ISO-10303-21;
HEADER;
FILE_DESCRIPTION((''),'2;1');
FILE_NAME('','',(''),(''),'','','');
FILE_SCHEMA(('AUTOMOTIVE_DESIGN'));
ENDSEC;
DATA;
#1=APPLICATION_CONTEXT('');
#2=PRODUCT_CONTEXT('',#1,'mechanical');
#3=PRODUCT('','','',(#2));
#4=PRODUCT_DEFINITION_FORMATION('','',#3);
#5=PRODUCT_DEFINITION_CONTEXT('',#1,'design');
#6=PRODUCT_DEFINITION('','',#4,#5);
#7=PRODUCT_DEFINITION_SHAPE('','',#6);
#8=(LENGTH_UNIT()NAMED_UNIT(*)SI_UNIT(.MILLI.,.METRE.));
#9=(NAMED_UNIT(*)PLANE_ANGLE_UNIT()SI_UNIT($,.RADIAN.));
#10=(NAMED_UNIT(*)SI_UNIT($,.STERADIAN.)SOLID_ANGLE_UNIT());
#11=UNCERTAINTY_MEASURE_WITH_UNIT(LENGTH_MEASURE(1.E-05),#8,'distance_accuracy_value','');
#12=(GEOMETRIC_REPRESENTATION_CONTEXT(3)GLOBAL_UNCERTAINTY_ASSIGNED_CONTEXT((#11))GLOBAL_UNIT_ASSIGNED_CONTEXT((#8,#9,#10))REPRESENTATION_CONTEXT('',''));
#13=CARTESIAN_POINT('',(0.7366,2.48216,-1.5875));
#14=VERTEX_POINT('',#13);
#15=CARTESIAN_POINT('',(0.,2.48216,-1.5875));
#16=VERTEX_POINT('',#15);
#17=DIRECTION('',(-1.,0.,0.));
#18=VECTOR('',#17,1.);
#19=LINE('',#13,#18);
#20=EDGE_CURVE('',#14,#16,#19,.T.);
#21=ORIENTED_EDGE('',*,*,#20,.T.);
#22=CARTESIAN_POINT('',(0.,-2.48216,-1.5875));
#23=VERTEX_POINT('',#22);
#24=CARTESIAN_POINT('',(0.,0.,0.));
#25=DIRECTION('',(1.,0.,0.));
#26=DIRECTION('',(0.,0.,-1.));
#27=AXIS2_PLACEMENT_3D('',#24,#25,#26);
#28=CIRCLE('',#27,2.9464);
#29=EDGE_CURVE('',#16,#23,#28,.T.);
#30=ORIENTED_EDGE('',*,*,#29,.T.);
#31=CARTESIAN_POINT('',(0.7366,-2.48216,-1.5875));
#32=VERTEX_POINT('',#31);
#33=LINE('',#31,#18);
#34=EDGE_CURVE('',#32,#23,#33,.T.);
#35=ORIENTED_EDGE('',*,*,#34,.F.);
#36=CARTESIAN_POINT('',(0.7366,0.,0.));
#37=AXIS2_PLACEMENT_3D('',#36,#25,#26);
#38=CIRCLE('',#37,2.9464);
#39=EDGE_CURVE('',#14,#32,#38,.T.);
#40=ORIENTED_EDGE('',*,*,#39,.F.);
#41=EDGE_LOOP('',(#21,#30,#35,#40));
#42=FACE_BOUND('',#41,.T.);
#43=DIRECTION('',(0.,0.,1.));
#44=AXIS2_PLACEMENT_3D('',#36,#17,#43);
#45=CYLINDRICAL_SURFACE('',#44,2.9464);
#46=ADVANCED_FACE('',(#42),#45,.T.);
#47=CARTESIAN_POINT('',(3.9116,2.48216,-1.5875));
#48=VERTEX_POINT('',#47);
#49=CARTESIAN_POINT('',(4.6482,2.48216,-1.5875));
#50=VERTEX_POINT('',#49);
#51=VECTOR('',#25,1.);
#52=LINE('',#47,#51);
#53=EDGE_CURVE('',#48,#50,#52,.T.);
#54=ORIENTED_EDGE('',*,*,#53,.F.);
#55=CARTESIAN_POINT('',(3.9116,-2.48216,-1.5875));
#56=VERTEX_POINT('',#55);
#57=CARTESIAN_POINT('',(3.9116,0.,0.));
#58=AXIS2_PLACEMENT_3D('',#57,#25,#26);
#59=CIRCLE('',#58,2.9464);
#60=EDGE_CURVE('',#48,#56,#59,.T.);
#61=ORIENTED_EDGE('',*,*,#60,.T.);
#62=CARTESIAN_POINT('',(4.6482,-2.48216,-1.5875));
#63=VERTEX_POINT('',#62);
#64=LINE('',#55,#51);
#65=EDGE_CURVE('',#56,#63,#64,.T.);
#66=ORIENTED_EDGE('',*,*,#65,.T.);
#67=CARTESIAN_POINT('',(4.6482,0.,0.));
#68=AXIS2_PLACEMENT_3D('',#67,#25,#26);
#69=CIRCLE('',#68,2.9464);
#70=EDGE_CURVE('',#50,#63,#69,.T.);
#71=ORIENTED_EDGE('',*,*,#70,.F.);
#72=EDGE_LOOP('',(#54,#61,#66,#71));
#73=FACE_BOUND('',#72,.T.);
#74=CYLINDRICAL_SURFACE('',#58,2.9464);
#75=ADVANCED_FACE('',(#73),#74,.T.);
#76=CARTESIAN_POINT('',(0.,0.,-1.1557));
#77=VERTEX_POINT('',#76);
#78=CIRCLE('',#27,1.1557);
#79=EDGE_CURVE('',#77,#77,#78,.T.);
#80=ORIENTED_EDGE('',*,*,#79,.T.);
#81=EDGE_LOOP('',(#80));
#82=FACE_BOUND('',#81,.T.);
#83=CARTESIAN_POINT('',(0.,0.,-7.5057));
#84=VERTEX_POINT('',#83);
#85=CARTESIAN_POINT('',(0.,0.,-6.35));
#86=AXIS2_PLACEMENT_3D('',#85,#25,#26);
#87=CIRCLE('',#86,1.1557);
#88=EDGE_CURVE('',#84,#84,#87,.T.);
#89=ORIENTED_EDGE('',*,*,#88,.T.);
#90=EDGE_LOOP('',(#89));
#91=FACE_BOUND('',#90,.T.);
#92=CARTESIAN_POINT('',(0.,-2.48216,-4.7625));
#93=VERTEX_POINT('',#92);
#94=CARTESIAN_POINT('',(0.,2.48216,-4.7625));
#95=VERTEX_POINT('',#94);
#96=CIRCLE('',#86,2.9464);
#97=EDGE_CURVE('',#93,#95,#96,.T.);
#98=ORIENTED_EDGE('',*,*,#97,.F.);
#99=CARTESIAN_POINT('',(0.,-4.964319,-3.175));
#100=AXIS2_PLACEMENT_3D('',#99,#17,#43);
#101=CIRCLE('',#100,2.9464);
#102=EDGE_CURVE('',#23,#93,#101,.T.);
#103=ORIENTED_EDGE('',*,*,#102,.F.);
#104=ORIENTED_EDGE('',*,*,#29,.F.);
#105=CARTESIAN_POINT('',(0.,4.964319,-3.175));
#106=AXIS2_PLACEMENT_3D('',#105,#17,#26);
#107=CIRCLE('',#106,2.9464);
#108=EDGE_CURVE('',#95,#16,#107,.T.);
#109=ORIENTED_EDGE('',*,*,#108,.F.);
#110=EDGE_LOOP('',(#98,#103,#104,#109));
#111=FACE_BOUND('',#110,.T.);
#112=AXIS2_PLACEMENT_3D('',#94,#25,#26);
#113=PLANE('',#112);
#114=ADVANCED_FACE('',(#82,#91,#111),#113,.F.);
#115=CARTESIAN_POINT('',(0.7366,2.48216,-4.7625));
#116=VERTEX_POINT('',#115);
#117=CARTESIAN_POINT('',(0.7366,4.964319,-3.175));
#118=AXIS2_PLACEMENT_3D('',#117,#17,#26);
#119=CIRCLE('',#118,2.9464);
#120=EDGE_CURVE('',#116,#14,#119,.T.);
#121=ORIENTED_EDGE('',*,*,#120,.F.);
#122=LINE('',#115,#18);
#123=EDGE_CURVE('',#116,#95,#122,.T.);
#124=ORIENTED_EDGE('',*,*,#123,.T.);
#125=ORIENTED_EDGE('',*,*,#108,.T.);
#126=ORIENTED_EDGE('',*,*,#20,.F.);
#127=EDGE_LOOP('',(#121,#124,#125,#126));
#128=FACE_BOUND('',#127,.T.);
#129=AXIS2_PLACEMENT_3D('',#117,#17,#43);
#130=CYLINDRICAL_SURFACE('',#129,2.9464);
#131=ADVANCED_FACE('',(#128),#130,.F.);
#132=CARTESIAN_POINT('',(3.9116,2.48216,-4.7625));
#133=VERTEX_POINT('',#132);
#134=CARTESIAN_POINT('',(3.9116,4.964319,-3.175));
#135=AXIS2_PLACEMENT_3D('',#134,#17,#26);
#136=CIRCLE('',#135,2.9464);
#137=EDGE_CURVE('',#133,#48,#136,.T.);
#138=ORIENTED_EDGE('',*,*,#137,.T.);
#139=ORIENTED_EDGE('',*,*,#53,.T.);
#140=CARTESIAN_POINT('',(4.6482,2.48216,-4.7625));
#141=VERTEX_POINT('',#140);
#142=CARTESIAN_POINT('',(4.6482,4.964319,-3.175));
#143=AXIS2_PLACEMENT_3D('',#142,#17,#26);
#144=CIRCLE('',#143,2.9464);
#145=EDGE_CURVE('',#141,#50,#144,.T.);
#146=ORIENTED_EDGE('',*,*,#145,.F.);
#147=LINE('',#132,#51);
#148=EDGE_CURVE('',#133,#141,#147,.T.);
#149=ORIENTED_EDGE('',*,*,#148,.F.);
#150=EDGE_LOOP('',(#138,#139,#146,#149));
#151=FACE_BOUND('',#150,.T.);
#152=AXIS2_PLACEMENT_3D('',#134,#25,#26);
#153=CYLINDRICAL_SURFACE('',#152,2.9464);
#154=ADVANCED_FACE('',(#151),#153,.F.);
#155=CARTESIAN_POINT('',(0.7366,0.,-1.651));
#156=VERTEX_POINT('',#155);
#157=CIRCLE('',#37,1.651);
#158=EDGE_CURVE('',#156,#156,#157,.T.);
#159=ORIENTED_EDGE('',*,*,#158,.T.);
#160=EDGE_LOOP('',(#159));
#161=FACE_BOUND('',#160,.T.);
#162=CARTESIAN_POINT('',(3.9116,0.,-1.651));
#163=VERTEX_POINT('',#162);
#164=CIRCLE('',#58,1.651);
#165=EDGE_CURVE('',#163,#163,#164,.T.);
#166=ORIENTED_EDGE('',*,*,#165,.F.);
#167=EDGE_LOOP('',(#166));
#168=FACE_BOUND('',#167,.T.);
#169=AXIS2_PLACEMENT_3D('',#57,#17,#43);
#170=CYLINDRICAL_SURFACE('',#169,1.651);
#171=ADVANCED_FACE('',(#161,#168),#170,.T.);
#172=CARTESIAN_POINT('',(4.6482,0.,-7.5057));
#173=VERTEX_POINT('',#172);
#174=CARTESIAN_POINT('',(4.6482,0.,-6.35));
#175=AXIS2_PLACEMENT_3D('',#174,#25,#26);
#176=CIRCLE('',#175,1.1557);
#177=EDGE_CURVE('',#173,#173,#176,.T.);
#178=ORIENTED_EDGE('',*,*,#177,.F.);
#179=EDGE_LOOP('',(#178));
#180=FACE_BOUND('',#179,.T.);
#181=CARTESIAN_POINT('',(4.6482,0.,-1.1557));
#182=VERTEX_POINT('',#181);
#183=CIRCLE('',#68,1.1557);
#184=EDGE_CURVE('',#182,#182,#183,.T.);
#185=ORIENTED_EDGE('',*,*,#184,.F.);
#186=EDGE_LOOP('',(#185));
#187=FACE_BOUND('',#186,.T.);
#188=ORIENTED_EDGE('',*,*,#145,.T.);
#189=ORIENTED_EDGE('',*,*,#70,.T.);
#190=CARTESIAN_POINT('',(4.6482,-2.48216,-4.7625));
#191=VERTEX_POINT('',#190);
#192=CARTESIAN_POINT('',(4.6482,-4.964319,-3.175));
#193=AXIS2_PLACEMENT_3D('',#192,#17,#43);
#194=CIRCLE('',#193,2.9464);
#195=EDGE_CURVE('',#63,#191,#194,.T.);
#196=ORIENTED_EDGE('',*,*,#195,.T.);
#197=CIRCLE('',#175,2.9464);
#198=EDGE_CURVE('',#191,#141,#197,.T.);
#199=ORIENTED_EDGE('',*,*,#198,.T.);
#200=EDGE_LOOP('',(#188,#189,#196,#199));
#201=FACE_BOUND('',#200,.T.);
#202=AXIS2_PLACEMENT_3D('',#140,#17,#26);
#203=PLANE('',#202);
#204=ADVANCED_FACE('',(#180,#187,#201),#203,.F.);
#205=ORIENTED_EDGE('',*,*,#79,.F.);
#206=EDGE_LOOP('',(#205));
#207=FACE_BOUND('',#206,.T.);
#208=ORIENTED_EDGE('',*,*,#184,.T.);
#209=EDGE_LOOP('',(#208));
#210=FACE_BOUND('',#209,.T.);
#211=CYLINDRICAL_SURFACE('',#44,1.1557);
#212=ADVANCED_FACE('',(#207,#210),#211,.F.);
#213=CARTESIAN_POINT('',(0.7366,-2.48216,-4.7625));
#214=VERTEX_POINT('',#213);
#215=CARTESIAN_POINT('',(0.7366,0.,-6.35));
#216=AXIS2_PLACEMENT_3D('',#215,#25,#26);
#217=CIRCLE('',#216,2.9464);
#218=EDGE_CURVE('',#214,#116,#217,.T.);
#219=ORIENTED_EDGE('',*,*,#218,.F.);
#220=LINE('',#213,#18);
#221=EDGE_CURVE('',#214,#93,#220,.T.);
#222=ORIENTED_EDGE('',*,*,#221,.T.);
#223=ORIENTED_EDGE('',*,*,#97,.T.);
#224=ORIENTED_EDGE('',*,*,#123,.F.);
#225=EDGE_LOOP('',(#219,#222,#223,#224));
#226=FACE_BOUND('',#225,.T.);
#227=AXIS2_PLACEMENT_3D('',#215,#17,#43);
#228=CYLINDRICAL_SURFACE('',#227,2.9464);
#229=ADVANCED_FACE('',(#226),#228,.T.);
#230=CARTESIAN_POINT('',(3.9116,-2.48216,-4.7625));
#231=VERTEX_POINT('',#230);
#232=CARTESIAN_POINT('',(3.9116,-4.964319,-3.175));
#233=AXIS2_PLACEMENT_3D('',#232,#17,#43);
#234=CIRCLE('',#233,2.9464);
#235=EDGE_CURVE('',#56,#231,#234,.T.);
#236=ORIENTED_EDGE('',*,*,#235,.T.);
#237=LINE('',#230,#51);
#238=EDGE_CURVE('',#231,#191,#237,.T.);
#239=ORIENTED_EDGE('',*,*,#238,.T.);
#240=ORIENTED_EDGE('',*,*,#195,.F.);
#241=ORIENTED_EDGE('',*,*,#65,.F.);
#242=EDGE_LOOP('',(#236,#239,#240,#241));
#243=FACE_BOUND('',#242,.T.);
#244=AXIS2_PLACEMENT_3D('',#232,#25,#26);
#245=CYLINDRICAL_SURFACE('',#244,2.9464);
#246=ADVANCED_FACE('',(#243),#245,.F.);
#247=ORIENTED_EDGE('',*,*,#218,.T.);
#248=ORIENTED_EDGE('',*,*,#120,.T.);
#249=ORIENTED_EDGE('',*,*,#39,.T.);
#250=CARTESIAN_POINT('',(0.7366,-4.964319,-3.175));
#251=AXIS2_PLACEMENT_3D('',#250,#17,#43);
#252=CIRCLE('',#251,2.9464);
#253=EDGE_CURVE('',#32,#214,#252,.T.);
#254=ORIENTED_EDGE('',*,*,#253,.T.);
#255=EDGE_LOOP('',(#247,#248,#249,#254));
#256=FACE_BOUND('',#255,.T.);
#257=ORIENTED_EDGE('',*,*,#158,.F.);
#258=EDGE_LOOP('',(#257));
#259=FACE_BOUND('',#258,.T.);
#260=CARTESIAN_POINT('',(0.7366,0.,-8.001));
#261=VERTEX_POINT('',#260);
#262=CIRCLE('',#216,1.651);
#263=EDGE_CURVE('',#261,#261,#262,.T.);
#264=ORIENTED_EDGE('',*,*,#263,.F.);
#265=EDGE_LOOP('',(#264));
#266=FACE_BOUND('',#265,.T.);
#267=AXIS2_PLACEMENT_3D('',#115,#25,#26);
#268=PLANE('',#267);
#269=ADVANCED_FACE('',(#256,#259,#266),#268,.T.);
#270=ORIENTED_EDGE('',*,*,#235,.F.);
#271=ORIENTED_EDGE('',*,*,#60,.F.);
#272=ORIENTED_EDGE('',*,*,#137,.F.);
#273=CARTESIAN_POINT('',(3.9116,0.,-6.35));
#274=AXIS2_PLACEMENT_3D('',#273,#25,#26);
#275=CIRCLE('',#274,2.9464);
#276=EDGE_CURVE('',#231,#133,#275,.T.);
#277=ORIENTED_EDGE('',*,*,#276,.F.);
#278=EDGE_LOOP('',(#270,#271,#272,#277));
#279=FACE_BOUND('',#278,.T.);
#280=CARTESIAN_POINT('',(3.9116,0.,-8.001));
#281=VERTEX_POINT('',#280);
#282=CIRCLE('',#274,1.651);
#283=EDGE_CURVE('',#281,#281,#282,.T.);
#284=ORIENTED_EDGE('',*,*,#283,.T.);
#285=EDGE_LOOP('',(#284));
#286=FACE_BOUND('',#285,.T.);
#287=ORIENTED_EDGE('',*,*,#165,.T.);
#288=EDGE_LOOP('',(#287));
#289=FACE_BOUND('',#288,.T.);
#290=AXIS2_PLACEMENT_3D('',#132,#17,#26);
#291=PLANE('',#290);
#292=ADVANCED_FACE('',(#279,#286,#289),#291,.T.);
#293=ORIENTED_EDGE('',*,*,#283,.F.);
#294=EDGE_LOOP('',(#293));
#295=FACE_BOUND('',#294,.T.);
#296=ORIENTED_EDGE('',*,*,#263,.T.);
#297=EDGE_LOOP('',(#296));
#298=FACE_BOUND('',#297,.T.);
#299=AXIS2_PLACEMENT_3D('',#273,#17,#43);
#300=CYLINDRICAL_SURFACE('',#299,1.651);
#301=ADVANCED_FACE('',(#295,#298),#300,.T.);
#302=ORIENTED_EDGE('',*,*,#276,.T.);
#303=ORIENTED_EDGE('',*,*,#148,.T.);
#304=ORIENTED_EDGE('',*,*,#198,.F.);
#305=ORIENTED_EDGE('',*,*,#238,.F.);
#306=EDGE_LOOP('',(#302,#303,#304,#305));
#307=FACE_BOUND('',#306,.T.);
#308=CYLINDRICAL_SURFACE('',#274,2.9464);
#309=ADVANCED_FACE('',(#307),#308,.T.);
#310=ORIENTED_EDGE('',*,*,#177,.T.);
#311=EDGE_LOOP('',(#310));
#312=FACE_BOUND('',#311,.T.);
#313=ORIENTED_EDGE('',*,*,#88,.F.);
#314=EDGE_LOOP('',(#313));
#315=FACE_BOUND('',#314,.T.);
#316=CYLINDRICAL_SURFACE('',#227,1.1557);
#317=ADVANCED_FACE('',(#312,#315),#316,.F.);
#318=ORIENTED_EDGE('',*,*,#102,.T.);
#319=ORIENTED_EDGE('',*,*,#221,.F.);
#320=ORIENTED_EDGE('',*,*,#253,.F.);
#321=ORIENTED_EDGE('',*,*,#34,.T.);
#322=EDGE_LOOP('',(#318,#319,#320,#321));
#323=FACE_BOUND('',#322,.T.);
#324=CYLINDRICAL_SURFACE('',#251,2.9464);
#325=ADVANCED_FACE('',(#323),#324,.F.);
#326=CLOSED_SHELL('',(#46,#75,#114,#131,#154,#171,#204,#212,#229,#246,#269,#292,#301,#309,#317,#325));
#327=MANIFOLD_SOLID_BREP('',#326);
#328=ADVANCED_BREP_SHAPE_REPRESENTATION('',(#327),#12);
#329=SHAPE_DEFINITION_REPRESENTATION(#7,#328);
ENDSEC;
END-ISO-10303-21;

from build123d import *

# Parameters (mm, degrees)
SKETCH1_R           = 1.1557
BOSS_EXTRUDE1_DEPTH = 0.7366
SKETCH2_R           = 1.651
SKETCH2_R_2         = 1.1557
BOSS_EXTRUDE2_DEPTH = 3.175


with BuildPart() as part:
    # Sketch1 → Boss-Extrude1 (new body)
    with BuildSketch(Plane(origin=(0, 0, 0), x_dir=(0, 0, -1), z_dir=(1, 0, 0))):
        with BuildLine():
            ThreePointArc((1.5875, 2.482159687), (-2.9464, 0), (1.5875, -2.482159687))
            ThreePointArc((1.5875, -2.482159687), (3.175, -2.017919373), (4.7625, -2.482159687))
            ThreePointArc((4.7625, -2.482159687), (9.2964, 0), (4.7625, 2.482159687))
            ThreePointArc((4.7625, 2.482159687), (3.175, 2.017919373), (1.5875, 2.482159687))
        make_face()
        Circle(SKETCH1_R, mode=Mode.SUBTRACT)
        with Locations((6.35, 0)):
            Circle(SKETCH1_R, mode=Mode.SUBTRACT)
    boss_extrude1 = extrude(amount=BOSS_EXTRUDE1_DEPTH)

    # Sketch2 → Boss-Extrude2 (add)
    # profile 1 of 2: a face of its own
    with BuildSketch(Plane(origin=(0.7366, 0, 0), x_dir=(0, 0, -1), z_dir=(1, 0, 0))):
        Circle(SKETCH2_R)
        Circle(SKETCH2_R_2, mode=Mode.SUBTRACT)
    # profile 2 of 2: a face of its own
    with BuildSketch(Plane(origin=(0.7366, 0, 0), x_dir=(0, 0, -1), z_dir=(1, 0, 0))):
        with Locations((6.35, 0)):
            Circle(SKETCH2_R)
        with Locations((6.35, 0)):
            Circle(SKETCH2_R_2, mode=Mode.SUBTRACT)
    extrude(amount=BOSS_EXTRUDE2_DEPTH)

    # Mirror1: Boss-Extrude1 across plane
    add(boss_extrude1.mirror(Plane(origin=(2.3241, 0, 0), x_dir=(0, 0, 1), z_dir=(1, 0, 0))))


solid = part.part
